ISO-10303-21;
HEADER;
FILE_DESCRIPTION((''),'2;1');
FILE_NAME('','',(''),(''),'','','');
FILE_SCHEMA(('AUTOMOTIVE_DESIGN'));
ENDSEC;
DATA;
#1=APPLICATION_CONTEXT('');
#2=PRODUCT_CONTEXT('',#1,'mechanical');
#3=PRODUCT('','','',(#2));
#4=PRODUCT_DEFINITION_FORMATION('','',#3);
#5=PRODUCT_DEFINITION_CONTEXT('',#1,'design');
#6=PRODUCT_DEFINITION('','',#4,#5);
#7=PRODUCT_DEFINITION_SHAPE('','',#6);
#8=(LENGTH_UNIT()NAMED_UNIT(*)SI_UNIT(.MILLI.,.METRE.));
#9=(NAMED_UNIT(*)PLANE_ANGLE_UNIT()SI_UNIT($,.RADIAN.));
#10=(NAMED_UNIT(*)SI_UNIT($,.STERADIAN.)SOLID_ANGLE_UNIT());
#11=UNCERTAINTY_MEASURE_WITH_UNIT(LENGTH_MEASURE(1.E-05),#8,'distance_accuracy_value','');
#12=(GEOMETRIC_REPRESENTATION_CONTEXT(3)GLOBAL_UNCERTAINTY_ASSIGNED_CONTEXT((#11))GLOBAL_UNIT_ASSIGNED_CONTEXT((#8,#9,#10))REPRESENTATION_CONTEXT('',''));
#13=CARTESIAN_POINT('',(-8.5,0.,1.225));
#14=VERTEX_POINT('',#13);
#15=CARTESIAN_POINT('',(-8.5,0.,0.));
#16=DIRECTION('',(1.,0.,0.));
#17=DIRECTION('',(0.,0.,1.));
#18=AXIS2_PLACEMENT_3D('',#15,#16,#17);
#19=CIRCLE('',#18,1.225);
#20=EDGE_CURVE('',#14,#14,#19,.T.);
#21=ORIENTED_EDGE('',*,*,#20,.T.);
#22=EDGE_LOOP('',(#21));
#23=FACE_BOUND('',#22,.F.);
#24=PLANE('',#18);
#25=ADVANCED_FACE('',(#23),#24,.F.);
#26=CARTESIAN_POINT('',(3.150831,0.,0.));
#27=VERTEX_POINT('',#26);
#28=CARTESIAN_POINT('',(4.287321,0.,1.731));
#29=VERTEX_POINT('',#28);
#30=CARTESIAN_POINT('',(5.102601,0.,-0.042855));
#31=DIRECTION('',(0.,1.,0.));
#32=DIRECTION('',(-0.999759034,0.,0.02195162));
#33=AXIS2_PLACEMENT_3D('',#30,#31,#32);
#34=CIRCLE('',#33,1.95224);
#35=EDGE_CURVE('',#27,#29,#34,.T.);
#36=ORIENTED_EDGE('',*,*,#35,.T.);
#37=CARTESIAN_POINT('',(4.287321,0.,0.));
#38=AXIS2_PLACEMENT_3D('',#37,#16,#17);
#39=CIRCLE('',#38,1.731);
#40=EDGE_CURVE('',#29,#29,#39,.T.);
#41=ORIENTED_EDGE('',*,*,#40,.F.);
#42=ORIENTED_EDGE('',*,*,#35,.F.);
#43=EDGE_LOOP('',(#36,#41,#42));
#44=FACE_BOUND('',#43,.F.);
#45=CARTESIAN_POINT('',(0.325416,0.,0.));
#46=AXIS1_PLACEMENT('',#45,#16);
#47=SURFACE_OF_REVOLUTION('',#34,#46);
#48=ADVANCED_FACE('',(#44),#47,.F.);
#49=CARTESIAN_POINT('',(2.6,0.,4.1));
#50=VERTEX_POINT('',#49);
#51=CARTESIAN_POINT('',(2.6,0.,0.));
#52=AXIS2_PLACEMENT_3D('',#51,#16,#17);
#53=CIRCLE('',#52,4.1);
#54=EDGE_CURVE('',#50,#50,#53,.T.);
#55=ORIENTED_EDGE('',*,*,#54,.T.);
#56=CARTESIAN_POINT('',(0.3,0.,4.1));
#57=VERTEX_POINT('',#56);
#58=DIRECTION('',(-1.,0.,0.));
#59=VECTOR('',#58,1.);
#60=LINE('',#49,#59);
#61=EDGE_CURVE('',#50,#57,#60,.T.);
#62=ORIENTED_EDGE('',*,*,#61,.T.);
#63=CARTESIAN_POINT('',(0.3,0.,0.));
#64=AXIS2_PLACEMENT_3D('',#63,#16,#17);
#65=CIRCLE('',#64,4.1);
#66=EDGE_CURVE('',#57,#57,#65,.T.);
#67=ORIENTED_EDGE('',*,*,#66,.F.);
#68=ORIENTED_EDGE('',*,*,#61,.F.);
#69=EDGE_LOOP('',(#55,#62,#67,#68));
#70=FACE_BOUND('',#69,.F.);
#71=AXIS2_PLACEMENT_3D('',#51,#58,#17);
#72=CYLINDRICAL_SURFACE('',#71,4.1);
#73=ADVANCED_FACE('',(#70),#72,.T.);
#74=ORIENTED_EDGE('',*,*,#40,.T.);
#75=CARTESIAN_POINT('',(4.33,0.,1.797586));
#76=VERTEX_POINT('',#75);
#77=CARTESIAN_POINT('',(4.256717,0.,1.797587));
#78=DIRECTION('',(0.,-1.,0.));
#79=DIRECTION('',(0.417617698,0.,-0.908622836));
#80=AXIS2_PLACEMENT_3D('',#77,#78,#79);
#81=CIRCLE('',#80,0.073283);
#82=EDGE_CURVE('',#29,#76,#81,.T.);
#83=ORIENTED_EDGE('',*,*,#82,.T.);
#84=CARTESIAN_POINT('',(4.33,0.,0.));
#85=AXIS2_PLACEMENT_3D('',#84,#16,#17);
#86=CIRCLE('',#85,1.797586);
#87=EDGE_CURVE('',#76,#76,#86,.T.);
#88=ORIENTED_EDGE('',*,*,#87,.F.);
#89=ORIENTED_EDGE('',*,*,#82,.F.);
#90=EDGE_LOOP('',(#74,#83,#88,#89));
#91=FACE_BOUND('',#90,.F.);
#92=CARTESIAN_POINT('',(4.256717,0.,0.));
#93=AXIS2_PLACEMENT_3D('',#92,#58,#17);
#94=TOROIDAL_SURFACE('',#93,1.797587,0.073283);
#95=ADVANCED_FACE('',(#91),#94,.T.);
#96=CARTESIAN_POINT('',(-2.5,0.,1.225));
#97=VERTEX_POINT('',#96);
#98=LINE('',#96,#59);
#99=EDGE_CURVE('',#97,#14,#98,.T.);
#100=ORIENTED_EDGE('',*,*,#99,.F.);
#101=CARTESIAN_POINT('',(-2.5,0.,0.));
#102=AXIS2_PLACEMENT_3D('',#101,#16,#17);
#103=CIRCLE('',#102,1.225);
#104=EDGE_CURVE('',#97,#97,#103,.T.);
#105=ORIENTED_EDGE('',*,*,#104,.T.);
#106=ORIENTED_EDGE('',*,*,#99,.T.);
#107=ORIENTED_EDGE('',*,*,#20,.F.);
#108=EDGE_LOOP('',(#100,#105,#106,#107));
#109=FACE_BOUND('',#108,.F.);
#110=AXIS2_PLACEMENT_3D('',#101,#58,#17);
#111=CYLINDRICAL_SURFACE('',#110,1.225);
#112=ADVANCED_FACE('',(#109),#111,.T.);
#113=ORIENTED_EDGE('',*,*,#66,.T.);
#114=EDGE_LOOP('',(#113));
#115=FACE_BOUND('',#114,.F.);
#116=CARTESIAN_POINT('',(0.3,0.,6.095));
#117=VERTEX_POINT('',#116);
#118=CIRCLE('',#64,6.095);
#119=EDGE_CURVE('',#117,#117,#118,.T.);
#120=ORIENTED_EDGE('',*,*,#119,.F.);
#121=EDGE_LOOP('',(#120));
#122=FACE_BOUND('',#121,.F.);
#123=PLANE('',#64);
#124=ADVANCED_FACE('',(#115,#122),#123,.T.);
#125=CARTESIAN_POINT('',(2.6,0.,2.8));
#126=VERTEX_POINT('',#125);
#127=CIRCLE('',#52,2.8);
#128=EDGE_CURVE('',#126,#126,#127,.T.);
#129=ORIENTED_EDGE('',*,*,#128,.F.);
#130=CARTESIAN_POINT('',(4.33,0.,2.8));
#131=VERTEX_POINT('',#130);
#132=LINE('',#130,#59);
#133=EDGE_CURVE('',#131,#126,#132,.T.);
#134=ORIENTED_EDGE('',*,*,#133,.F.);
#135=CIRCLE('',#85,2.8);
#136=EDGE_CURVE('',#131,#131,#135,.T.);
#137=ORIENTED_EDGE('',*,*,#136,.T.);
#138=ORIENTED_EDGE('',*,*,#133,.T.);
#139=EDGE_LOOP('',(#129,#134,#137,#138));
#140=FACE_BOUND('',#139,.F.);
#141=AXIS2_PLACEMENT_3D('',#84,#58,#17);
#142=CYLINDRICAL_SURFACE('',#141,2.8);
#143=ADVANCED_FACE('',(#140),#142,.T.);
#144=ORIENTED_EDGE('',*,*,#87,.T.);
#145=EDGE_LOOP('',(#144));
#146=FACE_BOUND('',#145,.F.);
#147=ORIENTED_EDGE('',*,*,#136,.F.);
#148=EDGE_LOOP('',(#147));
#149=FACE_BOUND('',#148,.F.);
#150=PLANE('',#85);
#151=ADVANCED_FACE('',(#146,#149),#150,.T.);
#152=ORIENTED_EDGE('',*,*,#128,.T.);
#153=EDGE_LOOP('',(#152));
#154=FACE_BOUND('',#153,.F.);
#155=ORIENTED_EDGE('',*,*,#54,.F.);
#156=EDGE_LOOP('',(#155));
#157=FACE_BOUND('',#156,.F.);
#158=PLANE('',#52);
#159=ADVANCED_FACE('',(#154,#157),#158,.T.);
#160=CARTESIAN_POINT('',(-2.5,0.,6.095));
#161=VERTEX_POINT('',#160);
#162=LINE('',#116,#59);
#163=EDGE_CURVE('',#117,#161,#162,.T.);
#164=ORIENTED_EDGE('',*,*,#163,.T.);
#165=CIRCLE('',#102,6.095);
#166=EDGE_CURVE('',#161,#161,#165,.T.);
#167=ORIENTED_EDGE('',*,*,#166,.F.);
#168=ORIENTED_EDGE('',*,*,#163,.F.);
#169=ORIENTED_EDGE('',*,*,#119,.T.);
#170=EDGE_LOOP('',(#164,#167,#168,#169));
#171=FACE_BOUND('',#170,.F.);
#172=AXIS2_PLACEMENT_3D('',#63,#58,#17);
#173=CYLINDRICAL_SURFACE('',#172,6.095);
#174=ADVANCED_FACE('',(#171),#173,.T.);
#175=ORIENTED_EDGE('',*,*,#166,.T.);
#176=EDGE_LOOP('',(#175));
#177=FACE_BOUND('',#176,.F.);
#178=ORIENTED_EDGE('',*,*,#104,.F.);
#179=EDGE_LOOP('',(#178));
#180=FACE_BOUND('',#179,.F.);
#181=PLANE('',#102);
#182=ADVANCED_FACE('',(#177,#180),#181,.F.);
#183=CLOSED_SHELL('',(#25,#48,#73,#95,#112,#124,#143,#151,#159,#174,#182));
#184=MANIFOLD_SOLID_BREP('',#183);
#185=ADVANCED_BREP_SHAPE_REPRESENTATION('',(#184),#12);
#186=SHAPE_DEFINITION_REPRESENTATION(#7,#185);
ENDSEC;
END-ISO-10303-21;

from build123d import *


with BuildPart() as f1:
    # F0 (on Front) → F1 (revolve)
    with BuildSketch(Plane.XZ):
        with BuildLine():
            Line((2.6, 4.1), (0.3, 4.1))
            Line((0.3, 4.1), (0.3, 6.095))
            Line((0.3, 6.095), (-2.5, 6.095))
            Line((-2.5, 6.095), (-2.5, 1.75))
            Line((-2.5, 1.75), (-2.5, 1.225))
            Line((-2.5, 1.225), (-8.5, 1.225))
            Line((-8.5, 1.225), (-8.5, 0))
            Line((-8.5, 0), (-2.5, 0))
            Line((-2.5, 0), (3.150831, 0))
            ThreePointArc((3.150831, 0), (3.47066, 1.028598), (4.287321, 1.731))
            ThreePointArc((4.287321, 1.731), (4.318414, 1.758041), (4.33, 1.797586))
            Line((4.33, 1.797586), (4.33, 2.8))
            Line((4.33, 2.8), (2.6, 2.8))
            Line((2.6, 2.8), (2.6, 4.1))
        make_face()
    revolve(axis=Axis((0.325416, 0, 0), (1, 0, 0)))


solid = f1.part
